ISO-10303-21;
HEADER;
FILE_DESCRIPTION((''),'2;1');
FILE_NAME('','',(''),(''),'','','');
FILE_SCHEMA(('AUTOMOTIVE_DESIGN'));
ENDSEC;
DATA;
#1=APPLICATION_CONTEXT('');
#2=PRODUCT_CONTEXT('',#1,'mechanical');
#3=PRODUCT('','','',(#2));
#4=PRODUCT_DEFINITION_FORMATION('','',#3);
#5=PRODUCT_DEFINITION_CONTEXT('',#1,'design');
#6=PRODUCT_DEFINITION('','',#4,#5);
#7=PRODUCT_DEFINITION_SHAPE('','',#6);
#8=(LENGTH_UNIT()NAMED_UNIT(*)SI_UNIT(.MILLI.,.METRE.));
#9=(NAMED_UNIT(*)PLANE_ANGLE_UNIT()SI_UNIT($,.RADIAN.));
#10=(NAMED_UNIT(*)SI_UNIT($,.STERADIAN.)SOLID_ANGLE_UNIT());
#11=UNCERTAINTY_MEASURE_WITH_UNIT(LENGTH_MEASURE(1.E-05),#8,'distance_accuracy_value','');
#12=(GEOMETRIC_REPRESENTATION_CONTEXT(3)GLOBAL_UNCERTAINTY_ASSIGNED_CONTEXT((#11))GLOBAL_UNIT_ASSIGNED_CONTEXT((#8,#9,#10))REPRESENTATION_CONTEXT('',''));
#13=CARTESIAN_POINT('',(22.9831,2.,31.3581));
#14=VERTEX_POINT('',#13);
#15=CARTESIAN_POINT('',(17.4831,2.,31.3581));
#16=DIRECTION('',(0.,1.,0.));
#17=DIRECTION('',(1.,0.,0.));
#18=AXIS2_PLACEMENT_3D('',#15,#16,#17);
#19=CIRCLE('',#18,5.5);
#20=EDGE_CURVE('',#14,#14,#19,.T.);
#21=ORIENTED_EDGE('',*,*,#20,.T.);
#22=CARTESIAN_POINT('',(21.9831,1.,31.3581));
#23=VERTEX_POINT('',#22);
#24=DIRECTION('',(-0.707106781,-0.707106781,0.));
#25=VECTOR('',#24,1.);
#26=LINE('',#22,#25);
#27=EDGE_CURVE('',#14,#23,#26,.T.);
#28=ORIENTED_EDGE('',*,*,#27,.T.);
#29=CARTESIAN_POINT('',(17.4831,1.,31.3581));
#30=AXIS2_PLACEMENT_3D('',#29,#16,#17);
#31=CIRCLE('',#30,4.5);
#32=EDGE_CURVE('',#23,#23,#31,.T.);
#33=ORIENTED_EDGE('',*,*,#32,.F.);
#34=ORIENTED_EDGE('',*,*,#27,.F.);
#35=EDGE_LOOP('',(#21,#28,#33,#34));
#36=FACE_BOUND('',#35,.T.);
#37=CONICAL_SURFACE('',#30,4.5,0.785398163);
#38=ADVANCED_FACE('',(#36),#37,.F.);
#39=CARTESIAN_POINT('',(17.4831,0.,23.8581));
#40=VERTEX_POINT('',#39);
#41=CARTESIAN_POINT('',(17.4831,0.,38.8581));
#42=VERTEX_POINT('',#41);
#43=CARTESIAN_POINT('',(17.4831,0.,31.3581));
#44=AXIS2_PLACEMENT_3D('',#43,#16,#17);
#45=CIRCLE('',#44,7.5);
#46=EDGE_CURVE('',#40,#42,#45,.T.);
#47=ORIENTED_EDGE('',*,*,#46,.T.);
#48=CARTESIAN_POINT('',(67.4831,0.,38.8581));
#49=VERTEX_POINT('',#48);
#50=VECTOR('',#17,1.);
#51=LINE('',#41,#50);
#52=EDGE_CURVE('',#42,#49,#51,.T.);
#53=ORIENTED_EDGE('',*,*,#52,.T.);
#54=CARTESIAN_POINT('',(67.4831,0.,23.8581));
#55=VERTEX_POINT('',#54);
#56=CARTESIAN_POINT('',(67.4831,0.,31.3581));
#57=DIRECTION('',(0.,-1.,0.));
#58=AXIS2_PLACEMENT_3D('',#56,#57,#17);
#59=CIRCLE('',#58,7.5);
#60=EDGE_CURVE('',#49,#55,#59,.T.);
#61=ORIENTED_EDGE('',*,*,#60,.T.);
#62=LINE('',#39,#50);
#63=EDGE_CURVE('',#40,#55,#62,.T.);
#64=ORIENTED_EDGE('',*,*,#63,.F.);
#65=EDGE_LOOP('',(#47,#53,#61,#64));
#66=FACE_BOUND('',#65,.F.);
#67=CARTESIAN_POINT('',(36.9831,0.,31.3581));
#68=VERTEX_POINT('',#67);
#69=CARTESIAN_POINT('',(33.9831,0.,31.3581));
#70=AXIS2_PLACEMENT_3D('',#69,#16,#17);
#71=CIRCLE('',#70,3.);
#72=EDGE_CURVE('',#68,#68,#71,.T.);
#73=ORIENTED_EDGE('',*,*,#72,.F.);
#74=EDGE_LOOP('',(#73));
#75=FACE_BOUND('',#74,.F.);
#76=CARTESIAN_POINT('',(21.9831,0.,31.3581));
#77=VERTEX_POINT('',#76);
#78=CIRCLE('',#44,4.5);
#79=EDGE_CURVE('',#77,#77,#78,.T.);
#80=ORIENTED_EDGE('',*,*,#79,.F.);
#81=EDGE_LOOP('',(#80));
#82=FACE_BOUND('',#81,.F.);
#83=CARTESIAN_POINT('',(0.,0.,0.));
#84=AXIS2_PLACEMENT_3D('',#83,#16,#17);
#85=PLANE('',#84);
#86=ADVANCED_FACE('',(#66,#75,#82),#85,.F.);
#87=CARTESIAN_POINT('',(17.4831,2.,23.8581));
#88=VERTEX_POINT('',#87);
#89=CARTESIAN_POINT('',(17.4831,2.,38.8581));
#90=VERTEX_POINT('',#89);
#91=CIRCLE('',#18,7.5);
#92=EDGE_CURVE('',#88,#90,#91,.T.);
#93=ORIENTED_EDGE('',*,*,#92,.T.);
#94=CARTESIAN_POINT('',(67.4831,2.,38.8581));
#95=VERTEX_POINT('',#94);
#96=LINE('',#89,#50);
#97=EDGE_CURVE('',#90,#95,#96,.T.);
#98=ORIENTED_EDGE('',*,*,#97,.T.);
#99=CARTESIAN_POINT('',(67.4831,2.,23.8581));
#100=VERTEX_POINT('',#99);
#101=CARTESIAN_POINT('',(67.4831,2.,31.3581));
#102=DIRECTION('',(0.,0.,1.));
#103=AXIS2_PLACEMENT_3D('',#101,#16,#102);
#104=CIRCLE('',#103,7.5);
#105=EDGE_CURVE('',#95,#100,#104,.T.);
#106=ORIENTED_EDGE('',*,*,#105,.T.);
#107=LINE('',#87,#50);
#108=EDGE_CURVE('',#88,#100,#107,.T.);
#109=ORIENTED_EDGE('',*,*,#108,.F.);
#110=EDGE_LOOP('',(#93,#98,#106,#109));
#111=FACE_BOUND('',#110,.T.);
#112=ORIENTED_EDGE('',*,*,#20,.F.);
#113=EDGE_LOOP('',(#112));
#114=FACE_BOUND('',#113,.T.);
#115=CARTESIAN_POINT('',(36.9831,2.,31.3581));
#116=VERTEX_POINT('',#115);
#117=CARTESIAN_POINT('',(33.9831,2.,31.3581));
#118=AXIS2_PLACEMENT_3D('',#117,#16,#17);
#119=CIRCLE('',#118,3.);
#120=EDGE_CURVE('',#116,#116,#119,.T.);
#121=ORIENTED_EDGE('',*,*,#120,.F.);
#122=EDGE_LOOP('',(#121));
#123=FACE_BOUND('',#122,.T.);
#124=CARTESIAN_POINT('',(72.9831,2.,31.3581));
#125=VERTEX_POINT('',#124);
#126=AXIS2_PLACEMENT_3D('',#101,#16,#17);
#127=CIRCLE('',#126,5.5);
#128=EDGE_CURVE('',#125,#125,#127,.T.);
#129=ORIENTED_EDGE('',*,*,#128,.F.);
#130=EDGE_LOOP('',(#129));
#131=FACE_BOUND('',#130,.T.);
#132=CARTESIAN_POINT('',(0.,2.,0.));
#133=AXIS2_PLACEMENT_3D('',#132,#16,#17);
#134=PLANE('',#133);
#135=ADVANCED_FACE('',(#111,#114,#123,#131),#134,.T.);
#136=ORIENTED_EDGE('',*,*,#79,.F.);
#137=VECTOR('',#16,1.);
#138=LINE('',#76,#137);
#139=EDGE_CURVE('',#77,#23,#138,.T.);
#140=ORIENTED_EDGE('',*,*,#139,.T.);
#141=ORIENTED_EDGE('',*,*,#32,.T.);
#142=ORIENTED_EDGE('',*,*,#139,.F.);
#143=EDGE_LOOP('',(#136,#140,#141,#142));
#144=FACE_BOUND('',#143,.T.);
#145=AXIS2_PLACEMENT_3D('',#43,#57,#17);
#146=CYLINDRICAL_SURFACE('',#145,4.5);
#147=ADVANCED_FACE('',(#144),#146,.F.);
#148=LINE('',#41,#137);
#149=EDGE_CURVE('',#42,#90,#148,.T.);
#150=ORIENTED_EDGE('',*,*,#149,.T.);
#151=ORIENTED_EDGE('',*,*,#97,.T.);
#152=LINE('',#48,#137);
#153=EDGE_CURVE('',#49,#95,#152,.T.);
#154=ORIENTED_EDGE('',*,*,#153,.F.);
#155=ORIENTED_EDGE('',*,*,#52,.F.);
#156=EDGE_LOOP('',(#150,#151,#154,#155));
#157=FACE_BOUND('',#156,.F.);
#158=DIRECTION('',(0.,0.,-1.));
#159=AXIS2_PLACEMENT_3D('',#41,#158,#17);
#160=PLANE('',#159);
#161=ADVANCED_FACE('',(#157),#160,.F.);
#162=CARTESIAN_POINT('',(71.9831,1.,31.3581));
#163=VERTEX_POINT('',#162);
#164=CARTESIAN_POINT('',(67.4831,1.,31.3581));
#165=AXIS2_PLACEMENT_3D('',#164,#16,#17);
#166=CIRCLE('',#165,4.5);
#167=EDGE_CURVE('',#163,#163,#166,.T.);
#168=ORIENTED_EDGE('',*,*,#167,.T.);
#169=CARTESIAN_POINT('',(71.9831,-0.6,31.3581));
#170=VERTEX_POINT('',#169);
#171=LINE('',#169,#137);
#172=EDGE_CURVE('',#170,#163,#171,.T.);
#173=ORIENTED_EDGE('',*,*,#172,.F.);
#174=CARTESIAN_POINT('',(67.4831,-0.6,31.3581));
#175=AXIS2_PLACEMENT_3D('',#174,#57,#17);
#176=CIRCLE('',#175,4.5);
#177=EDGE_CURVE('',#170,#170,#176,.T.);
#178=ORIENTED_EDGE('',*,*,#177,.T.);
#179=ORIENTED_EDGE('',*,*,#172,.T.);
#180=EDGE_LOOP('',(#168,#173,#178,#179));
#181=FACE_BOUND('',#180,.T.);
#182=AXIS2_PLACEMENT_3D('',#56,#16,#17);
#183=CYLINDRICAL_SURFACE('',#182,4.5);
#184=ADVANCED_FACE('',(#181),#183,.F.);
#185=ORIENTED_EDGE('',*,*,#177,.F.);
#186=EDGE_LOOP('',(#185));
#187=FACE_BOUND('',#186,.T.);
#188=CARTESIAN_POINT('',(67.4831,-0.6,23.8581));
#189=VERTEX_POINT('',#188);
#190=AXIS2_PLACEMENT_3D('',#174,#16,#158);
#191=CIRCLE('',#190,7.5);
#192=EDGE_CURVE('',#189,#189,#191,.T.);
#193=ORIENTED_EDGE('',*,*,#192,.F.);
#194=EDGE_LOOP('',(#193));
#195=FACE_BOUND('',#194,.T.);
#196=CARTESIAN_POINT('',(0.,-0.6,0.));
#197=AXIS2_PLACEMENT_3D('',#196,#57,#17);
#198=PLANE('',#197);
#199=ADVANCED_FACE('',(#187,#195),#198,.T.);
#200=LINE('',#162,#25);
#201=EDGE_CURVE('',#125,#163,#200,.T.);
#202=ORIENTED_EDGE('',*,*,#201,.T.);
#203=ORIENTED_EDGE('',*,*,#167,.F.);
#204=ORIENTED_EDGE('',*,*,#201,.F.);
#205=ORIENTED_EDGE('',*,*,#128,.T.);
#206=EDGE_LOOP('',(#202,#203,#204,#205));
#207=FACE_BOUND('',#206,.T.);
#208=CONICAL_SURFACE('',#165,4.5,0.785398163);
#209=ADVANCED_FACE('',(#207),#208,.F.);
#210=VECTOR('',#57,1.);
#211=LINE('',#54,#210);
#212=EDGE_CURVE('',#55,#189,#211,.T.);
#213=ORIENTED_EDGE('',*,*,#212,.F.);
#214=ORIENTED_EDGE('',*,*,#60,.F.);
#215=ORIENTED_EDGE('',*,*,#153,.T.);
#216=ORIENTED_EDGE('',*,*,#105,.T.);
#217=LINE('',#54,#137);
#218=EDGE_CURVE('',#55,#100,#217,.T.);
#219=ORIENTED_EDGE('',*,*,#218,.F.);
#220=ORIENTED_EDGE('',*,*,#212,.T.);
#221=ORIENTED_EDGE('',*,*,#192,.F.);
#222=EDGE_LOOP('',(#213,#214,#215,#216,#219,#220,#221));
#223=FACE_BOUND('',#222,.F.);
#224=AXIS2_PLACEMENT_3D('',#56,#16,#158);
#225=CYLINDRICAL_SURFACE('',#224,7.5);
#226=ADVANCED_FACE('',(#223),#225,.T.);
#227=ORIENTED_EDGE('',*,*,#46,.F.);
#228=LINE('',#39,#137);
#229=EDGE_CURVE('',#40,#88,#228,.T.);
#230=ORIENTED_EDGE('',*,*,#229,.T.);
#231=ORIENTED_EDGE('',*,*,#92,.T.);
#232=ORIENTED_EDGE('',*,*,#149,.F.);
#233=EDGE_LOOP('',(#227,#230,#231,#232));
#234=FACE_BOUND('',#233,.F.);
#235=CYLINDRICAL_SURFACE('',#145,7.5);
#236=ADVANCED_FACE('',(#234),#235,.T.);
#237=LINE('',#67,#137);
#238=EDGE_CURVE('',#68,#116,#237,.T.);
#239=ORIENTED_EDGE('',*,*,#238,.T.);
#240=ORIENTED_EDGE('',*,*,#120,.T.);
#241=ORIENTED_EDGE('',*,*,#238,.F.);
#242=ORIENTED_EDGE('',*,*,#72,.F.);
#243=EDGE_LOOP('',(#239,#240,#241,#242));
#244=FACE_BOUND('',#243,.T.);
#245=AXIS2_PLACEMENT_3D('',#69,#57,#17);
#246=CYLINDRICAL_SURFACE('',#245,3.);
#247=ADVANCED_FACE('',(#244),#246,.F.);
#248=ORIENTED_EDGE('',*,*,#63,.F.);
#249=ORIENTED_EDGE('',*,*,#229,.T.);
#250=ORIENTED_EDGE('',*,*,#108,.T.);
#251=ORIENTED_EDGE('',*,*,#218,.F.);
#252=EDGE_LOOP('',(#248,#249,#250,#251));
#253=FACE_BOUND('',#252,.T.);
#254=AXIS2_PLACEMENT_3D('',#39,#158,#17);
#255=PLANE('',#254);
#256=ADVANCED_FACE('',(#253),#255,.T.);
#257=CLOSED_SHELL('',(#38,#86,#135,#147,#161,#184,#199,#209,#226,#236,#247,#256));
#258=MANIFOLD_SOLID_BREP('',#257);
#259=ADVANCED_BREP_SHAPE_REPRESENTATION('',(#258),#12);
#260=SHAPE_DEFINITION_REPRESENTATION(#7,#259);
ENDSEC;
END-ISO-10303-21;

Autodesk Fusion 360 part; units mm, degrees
sketch "Sketch1" plane through (0, 0, 0) normal (0, 1, 0) x (1, 0, 0)
  line L0 (10.6191, -31.3581) -> (94.7803, -31.3581) construction
  line L1 (17.4831, -11.9367) -> (17.4831, -43.2834) construction
  line L2 (67.4831, -11.9367) -> (67.4831, -43.2834) construction
  circle A0 centre (17.4831, -31.3581) radius 7.5
  circle A1 centre (67.4831, -31.3581) radius 7.5
  line L3 (10.4242, -23.8581) -> (76.5455, -23.8581) construction
  line L4 (7.5967, -38.8581) -> (83.3606, -38.8581) construction
  line L5 (17.4831, -23.8581) -> (67.4831, -23.8581)
  line L6 (17.4831, -38.8581) -> (67.4831, -38.8581)
  circle A2 centre (67.4831, -31.3581) radius 4.5
  circle A3 centre (17.4831, -31.3581) radius 4.5
  line L7 (33.9831, -16.495) -> (33.9831, -43.6658) construction
  circle A4 centre (33.9831, -31.3581) radius 3
  dimension "d1" = 50
  dimension "d2" = 15
  dimension "d3" = 15
  dimension "d4" = 9
  dimension "d5" = 9
  dimension "d9" = 16.5
  dimension "d10" = 6
extrude "Extrude1" add sketch "Sketch1" along normal blind 2
chamfer "Chamfer1" distance 1 angle 45 2 edges at (13.2876, 2, 29.7308) (63.2876, 2, 29.7308)
sketch "Sketch2" plane through (0, 0, 0) normal (0, -1, 0) x (1, 0, 0)
  circle A0 centre (33.9831, 31.3581) radius 3
  circle A1 centre (17.4831, 31.3581) radius 4.5
  circle A2 centre (67.4831, 31.3581) radius 4.5
  arc A3 (17.4831, 38.8581) -> (17.4831, 23.8581) centre (17.4831, 31.3581) ccw
  line L0 (17.4831, 23.8581) -> (67.4831, 23.8581)
  arc A4 (67.4831, 23.8581) -> (67.4831, 38.8581) centre (67.4831, 31.3581) ccw
  line L1 (67.4831, 38.8581) -> (17.4831, 38.8581)
  circle A5 centre (67.4831, 31.3581) radius 7.5
  circle A6 centre (67.4831, 31.3581) radius 4.5
extrude "Extrude2" add sketch "Sketch2" along normal blind 0.6 contours A4 A5
